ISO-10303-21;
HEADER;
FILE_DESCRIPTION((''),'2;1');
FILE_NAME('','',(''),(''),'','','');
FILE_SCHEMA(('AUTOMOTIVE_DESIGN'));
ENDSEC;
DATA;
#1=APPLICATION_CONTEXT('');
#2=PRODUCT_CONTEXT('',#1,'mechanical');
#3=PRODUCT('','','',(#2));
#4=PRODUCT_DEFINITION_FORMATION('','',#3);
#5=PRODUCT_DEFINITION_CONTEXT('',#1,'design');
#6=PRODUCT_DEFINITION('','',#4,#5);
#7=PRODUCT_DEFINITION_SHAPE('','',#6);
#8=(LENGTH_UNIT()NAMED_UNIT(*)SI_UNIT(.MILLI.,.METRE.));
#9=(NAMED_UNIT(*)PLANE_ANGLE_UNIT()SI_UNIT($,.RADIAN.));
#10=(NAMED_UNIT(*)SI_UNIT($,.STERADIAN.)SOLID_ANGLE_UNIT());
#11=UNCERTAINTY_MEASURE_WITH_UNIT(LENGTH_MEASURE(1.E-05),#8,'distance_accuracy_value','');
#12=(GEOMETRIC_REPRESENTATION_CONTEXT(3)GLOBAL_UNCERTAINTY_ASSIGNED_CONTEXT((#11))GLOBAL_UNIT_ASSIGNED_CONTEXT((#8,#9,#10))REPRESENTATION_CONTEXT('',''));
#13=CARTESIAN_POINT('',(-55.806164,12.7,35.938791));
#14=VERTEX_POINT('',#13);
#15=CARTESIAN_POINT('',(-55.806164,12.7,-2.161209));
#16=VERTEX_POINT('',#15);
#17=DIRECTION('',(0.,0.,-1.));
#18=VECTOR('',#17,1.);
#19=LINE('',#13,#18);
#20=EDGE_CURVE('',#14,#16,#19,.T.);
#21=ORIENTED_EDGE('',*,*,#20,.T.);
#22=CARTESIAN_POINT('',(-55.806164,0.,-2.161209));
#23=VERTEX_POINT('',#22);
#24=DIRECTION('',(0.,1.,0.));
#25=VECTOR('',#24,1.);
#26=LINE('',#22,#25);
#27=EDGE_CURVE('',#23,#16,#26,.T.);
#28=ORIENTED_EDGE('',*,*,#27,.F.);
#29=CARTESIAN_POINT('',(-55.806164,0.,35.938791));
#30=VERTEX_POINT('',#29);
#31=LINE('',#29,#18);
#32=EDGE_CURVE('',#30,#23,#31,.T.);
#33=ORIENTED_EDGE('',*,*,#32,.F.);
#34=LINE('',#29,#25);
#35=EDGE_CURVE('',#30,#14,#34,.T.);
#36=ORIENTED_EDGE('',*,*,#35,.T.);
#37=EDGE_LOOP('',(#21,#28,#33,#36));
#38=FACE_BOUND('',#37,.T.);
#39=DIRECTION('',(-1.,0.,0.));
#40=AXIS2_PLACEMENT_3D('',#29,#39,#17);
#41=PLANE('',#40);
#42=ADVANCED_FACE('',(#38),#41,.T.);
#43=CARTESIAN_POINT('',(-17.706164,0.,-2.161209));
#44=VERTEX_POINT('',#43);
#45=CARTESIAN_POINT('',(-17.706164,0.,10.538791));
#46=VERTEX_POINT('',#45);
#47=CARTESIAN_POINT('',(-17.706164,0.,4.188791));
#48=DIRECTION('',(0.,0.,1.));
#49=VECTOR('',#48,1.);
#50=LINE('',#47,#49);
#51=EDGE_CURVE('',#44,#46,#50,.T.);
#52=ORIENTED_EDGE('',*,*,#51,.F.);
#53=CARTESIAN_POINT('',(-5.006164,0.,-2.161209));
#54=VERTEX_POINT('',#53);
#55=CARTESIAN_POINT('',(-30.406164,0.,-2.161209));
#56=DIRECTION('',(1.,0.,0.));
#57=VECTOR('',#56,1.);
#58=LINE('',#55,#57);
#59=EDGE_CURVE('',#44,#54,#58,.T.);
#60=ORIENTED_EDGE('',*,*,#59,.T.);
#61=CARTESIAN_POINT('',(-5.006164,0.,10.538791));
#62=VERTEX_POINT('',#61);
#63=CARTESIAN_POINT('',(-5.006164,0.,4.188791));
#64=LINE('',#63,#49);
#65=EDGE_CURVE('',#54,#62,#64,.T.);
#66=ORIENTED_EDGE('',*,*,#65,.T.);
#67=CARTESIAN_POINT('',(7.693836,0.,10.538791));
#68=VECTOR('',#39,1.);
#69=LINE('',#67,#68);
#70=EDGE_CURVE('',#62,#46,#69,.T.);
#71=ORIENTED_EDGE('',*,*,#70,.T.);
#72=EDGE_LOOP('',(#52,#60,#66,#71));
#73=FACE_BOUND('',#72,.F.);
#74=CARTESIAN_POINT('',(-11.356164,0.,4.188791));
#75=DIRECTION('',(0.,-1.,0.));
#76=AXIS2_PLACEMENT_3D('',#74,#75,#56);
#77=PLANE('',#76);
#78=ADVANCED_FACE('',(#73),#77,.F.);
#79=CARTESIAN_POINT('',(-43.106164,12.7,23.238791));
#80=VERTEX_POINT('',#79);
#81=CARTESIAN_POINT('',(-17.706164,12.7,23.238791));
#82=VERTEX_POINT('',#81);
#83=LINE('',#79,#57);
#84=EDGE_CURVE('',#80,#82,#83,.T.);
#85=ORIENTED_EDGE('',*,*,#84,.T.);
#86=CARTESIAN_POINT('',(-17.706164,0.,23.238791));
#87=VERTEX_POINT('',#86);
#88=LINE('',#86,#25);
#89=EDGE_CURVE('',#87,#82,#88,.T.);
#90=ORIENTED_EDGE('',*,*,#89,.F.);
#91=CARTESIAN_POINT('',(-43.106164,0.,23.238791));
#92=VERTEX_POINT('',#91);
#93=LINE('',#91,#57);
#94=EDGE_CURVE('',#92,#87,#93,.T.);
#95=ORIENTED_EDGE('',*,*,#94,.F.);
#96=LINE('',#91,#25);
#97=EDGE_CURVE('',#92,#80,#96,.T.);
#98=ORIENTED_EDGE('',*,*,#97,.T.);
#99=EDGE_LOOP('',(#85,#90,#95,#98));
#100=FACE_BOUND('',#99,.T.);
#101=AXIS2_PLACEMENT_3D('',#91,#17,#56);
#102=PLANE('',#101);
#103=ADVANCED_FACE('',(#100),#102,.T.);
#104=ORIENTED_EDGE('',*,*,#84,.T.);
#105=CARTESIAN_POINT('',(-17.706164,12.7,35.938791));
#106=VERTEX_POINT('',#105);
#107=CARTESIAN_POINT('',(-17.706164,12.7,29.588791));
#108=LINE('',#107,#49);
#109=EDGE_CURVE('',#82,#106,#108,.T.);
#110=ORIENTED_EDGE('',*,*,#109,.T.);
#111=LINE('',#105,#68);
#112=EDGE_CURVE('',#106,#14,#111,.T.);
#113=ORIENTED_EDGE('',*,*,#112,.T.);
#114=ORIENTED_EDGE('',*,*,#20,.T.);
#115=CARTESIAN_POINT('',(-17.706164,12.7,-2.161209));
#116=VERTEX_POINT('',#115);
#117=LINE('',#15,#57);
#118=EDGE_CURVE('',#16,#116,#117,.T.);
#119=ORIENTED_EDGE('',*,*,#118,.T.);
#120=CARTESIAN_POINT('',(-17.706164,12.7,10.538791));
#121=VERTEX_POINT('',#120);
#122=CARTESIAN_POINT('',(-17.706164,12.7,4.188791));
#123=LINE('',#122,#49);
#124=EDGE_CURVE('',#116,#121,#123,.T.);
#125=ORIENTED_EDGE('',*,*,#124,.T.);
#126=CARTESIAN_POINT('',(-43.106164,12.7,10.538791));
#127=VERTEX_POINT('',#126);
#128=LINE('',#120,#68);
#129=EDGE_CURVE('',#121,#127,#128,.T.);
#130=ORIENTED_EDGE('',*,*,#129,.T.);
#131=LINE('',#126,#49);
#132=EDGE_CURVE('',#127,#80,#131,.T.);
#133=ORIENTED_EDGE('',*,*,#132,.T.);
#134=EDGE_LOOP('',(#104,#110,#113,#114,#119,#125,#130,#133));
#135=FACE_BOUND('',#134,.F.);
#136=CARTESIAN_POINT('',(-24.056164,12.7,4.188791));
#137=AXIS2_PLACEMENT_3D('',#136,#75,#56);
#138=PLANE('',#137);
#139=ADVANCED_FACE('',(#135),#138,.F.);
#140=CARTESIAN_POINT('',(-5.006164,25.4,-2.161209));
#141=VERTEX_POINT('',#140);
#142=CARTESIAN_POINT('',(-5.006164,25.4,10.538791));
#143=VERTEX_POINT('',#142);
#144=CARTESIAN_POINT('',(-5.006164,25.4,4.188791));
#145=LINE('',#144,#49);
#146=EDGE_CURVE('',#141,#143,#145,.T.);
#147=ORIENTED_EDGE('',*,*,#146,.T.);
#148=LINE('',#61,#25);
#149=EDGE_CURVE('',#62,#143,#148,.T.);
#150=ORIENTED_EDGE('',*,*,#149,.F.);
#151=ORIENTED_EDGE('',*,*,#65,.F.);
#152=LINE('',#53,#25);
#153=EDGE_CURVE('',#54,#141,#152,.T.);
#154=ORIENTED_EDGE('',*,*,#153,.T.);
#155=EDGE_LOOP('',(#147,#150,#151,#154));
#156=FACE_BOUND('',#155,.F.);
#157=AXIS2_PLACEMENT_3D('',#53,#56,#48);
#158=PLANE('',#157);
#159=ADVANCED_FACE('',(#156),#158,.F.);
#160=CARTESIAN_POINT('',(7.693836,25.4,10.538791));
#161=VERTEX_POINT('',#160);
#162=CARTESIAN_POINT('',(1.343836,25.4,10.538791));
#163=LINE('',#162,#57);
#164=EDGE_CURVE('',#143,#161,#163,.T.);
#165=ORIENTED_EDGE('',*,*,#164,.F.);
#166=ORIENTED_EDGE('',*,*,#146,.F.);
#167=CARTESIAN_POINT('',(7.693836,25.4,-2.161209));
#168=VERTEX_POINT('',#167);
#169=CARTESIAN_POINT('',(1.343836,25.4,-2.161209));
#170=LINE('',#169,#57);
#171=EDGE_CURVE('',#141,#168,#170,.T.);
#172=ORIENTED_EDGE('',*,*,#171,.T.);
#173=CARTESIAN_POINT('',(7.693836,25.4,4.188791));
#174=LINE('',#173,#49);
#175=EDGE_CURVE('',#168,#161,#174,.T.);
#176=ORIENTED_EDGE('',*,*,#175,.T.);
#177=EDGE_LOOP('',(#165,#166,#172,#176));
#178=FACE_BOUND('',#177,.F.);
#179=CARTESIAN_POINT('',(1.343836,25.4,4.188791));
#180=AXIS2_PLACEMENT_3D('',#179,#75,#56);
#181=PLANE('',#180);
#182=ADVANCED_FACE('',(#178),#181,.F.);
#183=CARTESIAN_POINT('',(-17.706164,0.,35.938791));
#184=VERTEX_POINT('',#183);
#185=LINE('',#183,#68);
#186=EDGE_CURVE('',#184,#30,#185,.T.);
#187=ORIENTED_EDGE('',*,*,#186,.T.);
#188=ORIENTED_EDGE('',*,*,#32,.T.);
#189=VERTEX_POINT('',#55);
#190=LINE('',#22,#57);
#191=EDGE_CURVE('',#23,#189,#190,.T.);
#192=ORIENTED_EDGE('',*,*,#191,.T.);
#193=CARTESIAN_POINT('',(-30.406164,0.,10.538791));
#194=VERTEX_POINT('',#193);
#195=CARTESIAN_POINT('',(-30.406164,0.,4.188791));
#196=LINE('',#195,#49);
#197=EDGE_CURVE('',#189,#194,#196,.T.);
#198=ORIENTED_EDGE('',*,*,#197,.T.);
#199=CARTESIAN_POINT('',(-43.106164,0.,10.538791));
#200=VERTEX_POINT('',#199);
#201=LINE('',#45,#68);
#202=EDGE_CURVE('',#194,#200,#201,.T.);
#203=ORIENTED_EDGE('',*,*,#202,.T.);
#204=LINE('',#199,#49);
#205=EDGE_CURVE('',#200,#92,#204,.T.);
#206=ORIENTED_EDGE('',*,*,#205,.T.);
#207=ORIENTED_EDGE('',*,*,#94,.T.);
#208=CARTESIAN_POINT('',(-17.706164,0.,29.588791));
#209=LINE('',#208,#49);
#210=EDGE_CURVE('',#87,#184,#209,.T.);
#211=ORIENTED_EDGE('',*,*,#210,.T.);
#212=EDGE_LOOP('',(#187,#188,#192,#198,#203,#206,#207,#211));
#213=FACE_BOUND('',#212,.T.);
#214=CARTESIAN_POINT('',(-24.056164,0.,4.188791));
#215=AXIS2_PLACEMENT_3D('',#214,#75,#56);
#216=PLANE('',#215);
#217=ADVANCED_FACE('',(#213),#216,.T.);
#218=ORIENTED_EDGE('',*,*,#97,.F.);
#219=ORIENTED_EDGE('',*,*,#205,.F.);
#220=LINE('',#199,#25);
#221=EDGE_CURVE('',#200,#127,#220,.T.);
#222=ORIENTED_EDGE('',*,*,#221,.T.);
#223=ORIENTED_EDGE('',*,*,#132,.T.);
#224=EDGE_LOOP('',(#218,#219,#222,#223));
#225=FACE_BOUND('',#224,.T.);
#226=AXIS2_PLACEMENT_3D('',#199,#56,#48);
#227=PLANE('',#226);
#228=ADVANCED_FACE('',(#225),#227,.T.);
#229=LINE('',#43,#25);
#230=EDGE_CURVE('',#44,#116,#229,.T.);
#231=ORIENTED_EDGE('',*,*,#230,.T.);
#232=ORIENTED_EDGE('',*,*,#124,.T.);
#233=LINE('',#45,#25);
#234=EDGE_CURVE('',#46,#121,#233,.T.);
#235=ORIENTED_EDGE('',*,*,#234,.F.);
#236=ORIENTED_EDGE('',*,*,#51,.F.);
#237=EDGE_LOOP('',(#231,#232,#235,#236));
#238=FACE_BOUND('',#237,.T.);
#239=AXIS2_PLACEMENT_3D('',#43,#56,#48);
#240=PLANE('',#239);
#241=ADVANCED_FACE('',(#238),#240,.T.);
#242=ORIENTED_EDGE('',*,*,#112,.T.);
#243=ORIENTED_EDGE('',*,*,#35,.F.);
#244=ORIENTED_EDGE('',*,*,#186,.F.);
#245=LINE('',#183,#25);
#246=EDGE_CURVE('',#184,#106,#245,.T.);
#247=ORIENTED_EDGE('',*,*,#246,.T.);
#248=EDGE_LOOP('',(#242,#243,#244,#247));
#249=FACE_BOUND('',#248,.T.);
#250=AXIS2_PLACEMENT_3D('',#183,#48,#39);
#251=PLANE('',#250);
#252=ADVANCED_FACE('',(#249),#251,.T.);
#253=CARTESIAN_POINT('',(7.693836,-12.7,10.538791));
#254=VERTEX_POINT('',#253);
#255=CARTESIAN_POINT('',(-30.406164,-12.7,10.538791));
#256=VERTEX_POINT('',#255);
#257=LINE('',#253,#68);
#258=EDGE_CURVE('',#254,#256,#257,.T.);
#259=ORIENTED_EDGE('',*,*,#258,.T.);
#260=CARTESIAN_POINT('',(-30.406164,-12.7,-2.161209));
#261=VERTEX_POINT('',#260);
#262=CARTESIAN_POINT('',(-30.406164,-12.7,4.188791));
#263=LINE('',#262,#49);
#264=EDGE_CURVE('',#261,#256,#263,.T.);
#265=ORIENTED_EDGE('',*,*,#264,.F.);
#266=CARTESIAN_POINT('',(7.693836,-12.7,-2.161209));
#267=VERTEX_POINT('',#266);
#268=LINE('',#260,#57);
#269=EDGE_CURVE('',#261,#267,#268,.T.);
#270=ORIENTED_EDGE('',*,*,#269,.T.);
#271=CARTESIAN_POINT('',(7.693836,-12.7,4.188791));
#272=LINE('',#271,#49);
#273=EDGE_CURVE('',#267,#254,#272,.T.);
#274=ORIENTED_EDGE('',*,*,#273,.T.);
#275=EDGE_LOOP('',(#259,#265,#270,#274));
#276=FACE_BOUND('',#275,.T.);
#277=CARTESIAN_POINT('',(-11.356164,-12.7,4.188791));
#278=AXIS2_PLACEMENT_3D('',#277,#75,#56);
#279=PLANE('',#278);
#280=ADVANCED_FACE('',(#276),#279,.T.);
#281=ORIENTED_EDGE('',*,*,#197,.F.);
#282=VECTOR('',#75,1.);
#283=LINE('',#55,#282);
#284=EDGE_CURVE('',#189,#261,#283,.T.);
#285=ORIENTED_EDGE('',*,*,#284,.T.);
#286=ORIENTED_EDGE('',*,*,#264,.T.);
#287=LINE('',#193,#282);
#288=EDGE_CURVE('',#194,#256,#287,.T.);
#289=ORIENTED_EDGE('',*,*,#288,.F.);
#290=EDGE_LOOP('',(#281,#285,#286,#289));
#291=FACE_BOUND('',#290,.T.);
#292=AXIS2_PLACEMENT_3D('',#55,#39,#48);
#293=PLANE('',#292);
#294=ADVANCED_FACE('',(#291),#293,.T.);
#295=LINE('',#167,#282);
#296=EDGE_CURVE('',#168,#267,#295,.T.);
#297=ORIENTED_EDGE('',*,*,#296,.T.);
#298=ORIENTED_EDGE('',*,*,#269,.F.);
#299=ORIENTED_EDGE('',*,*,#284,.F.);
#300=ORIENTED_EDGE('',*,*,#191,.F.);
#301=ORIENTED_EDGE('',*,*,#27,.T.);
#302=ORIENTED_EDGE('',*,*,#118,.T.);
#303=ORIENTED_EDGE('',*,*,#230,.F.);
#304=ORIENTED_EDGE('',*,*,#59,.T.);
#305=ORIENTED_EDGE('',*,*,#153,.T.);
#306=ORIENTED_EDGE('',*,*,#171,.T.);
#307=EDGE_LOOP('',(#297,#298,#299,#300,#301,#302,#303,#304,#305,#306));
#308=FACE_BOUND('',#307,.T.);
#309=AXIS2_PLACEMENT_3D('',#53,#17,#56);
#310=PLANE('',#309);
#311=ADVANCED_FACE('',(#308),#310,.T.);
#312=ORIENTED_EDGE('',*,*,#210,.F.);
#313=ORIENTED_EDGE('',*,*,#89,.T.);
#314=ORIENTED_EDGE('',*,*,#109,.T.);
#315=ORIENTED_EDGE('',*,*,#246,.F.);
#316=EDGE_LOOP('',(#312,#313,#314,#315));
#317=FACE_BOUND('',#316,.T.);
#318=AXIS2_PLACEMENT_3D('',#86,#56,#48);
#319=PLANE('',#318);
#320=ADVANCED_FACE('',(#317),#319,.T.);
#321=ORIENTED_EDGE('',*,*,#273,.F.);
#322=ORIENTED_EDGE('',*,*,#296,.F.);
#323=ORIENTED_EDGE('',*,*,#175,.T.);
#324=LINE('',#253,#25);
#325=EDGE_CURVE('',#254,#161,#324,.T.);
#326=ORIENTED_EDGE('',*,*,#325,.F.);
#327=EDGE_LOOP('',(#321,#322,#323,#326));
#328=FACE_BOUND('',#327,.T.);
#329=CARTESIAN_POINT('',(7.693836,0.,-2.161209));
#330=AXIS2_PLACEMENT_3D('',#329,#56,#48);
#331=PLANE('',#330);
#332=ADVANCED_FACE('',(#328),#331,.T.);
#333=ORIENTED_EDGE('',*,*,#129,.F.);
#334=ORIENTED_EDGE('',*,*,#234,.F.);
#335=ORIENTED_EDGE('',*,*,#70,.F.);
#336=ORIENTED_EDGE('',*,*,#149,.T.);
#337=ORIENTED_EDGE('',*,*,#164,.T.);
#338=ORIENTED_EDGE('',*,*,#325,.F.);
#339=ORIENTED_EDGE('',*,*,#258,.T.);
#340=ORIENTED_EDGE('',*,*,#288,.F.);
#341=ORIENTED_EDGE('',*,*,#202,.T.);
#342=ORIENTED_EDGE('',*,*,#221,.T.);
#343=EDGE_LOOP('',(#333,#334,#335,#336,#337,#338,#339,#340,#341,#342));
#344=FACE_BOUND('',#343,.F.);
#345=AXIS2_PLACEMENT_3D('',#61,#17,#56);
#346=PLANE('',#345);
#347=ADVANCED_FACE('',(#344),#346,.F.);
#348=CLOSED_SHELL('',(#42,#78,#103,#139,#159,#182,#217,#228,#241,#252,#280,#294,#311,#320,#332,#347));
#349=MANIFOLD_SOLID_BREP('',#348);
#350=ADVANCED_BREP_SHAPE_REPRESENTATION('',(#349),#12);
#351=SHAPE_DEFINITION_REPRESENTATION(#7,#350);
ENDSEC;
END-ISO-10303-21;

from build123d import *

# Parameters (mm, degrees)
F0_W     = 12.7
F0_H     = 12.7
F1_DEPTH = 12.7
F2_DEPTH = 12.7
F3_DEPTH = 25.4


with BuildPart() as f1:
    # F0 (on Front) → F1 (new body)
    with BuildSketch(Plane.XZ):
        with Locations((-11.356164, 4.188791)):
            Rectangle(F0_W, F0_H)
        with Locations((-24.056164, 4.188791)):
            Rectangle(F0_W, F0_H)
        with Locations((1.343836, 4.188791)):
            Rectangle(F0_W, F0_H)
    extrude(amount=F1_DEPTH)

    # F0 (on Front) → F2 (join)
    with BuildSketch(Plane.XZ):
        with Locations((-24.056164, 4.188791)):
            Rectangle(F0_W, F0_H)
        with Locations((-36.756164, 4.188791)):
            Rectangle(F0_W, F0_H)
        with Locations((-49.456164, 4.188791)):
            Rectangle(F0_W, F0_H)
        with Locations((-49.456164, 16.888791)):
            Rectangle(F0_W, F0_H)
        with Locations((-49.456164, 29.588791)):
            Rectangle(F0_W, F0_H)
        with Locations((-36.756164, 29.588791)):
            Rectangle(F0_W, F0_H)
        with Locations((-24.056164, 29.588791)):
            Rectangle(F0_W, F0_H)
    extrude(amount=-F2_DEPTH)

    # F0 (on Front) → F3 (join)
    with BuildSketch(Plane.XZ):
        with Locations((1.343836, 4.188791)):
            Rectangle(F0_W, F0_H)
    extrude(amount=-F3_DEPTH)


solid = f1.part
